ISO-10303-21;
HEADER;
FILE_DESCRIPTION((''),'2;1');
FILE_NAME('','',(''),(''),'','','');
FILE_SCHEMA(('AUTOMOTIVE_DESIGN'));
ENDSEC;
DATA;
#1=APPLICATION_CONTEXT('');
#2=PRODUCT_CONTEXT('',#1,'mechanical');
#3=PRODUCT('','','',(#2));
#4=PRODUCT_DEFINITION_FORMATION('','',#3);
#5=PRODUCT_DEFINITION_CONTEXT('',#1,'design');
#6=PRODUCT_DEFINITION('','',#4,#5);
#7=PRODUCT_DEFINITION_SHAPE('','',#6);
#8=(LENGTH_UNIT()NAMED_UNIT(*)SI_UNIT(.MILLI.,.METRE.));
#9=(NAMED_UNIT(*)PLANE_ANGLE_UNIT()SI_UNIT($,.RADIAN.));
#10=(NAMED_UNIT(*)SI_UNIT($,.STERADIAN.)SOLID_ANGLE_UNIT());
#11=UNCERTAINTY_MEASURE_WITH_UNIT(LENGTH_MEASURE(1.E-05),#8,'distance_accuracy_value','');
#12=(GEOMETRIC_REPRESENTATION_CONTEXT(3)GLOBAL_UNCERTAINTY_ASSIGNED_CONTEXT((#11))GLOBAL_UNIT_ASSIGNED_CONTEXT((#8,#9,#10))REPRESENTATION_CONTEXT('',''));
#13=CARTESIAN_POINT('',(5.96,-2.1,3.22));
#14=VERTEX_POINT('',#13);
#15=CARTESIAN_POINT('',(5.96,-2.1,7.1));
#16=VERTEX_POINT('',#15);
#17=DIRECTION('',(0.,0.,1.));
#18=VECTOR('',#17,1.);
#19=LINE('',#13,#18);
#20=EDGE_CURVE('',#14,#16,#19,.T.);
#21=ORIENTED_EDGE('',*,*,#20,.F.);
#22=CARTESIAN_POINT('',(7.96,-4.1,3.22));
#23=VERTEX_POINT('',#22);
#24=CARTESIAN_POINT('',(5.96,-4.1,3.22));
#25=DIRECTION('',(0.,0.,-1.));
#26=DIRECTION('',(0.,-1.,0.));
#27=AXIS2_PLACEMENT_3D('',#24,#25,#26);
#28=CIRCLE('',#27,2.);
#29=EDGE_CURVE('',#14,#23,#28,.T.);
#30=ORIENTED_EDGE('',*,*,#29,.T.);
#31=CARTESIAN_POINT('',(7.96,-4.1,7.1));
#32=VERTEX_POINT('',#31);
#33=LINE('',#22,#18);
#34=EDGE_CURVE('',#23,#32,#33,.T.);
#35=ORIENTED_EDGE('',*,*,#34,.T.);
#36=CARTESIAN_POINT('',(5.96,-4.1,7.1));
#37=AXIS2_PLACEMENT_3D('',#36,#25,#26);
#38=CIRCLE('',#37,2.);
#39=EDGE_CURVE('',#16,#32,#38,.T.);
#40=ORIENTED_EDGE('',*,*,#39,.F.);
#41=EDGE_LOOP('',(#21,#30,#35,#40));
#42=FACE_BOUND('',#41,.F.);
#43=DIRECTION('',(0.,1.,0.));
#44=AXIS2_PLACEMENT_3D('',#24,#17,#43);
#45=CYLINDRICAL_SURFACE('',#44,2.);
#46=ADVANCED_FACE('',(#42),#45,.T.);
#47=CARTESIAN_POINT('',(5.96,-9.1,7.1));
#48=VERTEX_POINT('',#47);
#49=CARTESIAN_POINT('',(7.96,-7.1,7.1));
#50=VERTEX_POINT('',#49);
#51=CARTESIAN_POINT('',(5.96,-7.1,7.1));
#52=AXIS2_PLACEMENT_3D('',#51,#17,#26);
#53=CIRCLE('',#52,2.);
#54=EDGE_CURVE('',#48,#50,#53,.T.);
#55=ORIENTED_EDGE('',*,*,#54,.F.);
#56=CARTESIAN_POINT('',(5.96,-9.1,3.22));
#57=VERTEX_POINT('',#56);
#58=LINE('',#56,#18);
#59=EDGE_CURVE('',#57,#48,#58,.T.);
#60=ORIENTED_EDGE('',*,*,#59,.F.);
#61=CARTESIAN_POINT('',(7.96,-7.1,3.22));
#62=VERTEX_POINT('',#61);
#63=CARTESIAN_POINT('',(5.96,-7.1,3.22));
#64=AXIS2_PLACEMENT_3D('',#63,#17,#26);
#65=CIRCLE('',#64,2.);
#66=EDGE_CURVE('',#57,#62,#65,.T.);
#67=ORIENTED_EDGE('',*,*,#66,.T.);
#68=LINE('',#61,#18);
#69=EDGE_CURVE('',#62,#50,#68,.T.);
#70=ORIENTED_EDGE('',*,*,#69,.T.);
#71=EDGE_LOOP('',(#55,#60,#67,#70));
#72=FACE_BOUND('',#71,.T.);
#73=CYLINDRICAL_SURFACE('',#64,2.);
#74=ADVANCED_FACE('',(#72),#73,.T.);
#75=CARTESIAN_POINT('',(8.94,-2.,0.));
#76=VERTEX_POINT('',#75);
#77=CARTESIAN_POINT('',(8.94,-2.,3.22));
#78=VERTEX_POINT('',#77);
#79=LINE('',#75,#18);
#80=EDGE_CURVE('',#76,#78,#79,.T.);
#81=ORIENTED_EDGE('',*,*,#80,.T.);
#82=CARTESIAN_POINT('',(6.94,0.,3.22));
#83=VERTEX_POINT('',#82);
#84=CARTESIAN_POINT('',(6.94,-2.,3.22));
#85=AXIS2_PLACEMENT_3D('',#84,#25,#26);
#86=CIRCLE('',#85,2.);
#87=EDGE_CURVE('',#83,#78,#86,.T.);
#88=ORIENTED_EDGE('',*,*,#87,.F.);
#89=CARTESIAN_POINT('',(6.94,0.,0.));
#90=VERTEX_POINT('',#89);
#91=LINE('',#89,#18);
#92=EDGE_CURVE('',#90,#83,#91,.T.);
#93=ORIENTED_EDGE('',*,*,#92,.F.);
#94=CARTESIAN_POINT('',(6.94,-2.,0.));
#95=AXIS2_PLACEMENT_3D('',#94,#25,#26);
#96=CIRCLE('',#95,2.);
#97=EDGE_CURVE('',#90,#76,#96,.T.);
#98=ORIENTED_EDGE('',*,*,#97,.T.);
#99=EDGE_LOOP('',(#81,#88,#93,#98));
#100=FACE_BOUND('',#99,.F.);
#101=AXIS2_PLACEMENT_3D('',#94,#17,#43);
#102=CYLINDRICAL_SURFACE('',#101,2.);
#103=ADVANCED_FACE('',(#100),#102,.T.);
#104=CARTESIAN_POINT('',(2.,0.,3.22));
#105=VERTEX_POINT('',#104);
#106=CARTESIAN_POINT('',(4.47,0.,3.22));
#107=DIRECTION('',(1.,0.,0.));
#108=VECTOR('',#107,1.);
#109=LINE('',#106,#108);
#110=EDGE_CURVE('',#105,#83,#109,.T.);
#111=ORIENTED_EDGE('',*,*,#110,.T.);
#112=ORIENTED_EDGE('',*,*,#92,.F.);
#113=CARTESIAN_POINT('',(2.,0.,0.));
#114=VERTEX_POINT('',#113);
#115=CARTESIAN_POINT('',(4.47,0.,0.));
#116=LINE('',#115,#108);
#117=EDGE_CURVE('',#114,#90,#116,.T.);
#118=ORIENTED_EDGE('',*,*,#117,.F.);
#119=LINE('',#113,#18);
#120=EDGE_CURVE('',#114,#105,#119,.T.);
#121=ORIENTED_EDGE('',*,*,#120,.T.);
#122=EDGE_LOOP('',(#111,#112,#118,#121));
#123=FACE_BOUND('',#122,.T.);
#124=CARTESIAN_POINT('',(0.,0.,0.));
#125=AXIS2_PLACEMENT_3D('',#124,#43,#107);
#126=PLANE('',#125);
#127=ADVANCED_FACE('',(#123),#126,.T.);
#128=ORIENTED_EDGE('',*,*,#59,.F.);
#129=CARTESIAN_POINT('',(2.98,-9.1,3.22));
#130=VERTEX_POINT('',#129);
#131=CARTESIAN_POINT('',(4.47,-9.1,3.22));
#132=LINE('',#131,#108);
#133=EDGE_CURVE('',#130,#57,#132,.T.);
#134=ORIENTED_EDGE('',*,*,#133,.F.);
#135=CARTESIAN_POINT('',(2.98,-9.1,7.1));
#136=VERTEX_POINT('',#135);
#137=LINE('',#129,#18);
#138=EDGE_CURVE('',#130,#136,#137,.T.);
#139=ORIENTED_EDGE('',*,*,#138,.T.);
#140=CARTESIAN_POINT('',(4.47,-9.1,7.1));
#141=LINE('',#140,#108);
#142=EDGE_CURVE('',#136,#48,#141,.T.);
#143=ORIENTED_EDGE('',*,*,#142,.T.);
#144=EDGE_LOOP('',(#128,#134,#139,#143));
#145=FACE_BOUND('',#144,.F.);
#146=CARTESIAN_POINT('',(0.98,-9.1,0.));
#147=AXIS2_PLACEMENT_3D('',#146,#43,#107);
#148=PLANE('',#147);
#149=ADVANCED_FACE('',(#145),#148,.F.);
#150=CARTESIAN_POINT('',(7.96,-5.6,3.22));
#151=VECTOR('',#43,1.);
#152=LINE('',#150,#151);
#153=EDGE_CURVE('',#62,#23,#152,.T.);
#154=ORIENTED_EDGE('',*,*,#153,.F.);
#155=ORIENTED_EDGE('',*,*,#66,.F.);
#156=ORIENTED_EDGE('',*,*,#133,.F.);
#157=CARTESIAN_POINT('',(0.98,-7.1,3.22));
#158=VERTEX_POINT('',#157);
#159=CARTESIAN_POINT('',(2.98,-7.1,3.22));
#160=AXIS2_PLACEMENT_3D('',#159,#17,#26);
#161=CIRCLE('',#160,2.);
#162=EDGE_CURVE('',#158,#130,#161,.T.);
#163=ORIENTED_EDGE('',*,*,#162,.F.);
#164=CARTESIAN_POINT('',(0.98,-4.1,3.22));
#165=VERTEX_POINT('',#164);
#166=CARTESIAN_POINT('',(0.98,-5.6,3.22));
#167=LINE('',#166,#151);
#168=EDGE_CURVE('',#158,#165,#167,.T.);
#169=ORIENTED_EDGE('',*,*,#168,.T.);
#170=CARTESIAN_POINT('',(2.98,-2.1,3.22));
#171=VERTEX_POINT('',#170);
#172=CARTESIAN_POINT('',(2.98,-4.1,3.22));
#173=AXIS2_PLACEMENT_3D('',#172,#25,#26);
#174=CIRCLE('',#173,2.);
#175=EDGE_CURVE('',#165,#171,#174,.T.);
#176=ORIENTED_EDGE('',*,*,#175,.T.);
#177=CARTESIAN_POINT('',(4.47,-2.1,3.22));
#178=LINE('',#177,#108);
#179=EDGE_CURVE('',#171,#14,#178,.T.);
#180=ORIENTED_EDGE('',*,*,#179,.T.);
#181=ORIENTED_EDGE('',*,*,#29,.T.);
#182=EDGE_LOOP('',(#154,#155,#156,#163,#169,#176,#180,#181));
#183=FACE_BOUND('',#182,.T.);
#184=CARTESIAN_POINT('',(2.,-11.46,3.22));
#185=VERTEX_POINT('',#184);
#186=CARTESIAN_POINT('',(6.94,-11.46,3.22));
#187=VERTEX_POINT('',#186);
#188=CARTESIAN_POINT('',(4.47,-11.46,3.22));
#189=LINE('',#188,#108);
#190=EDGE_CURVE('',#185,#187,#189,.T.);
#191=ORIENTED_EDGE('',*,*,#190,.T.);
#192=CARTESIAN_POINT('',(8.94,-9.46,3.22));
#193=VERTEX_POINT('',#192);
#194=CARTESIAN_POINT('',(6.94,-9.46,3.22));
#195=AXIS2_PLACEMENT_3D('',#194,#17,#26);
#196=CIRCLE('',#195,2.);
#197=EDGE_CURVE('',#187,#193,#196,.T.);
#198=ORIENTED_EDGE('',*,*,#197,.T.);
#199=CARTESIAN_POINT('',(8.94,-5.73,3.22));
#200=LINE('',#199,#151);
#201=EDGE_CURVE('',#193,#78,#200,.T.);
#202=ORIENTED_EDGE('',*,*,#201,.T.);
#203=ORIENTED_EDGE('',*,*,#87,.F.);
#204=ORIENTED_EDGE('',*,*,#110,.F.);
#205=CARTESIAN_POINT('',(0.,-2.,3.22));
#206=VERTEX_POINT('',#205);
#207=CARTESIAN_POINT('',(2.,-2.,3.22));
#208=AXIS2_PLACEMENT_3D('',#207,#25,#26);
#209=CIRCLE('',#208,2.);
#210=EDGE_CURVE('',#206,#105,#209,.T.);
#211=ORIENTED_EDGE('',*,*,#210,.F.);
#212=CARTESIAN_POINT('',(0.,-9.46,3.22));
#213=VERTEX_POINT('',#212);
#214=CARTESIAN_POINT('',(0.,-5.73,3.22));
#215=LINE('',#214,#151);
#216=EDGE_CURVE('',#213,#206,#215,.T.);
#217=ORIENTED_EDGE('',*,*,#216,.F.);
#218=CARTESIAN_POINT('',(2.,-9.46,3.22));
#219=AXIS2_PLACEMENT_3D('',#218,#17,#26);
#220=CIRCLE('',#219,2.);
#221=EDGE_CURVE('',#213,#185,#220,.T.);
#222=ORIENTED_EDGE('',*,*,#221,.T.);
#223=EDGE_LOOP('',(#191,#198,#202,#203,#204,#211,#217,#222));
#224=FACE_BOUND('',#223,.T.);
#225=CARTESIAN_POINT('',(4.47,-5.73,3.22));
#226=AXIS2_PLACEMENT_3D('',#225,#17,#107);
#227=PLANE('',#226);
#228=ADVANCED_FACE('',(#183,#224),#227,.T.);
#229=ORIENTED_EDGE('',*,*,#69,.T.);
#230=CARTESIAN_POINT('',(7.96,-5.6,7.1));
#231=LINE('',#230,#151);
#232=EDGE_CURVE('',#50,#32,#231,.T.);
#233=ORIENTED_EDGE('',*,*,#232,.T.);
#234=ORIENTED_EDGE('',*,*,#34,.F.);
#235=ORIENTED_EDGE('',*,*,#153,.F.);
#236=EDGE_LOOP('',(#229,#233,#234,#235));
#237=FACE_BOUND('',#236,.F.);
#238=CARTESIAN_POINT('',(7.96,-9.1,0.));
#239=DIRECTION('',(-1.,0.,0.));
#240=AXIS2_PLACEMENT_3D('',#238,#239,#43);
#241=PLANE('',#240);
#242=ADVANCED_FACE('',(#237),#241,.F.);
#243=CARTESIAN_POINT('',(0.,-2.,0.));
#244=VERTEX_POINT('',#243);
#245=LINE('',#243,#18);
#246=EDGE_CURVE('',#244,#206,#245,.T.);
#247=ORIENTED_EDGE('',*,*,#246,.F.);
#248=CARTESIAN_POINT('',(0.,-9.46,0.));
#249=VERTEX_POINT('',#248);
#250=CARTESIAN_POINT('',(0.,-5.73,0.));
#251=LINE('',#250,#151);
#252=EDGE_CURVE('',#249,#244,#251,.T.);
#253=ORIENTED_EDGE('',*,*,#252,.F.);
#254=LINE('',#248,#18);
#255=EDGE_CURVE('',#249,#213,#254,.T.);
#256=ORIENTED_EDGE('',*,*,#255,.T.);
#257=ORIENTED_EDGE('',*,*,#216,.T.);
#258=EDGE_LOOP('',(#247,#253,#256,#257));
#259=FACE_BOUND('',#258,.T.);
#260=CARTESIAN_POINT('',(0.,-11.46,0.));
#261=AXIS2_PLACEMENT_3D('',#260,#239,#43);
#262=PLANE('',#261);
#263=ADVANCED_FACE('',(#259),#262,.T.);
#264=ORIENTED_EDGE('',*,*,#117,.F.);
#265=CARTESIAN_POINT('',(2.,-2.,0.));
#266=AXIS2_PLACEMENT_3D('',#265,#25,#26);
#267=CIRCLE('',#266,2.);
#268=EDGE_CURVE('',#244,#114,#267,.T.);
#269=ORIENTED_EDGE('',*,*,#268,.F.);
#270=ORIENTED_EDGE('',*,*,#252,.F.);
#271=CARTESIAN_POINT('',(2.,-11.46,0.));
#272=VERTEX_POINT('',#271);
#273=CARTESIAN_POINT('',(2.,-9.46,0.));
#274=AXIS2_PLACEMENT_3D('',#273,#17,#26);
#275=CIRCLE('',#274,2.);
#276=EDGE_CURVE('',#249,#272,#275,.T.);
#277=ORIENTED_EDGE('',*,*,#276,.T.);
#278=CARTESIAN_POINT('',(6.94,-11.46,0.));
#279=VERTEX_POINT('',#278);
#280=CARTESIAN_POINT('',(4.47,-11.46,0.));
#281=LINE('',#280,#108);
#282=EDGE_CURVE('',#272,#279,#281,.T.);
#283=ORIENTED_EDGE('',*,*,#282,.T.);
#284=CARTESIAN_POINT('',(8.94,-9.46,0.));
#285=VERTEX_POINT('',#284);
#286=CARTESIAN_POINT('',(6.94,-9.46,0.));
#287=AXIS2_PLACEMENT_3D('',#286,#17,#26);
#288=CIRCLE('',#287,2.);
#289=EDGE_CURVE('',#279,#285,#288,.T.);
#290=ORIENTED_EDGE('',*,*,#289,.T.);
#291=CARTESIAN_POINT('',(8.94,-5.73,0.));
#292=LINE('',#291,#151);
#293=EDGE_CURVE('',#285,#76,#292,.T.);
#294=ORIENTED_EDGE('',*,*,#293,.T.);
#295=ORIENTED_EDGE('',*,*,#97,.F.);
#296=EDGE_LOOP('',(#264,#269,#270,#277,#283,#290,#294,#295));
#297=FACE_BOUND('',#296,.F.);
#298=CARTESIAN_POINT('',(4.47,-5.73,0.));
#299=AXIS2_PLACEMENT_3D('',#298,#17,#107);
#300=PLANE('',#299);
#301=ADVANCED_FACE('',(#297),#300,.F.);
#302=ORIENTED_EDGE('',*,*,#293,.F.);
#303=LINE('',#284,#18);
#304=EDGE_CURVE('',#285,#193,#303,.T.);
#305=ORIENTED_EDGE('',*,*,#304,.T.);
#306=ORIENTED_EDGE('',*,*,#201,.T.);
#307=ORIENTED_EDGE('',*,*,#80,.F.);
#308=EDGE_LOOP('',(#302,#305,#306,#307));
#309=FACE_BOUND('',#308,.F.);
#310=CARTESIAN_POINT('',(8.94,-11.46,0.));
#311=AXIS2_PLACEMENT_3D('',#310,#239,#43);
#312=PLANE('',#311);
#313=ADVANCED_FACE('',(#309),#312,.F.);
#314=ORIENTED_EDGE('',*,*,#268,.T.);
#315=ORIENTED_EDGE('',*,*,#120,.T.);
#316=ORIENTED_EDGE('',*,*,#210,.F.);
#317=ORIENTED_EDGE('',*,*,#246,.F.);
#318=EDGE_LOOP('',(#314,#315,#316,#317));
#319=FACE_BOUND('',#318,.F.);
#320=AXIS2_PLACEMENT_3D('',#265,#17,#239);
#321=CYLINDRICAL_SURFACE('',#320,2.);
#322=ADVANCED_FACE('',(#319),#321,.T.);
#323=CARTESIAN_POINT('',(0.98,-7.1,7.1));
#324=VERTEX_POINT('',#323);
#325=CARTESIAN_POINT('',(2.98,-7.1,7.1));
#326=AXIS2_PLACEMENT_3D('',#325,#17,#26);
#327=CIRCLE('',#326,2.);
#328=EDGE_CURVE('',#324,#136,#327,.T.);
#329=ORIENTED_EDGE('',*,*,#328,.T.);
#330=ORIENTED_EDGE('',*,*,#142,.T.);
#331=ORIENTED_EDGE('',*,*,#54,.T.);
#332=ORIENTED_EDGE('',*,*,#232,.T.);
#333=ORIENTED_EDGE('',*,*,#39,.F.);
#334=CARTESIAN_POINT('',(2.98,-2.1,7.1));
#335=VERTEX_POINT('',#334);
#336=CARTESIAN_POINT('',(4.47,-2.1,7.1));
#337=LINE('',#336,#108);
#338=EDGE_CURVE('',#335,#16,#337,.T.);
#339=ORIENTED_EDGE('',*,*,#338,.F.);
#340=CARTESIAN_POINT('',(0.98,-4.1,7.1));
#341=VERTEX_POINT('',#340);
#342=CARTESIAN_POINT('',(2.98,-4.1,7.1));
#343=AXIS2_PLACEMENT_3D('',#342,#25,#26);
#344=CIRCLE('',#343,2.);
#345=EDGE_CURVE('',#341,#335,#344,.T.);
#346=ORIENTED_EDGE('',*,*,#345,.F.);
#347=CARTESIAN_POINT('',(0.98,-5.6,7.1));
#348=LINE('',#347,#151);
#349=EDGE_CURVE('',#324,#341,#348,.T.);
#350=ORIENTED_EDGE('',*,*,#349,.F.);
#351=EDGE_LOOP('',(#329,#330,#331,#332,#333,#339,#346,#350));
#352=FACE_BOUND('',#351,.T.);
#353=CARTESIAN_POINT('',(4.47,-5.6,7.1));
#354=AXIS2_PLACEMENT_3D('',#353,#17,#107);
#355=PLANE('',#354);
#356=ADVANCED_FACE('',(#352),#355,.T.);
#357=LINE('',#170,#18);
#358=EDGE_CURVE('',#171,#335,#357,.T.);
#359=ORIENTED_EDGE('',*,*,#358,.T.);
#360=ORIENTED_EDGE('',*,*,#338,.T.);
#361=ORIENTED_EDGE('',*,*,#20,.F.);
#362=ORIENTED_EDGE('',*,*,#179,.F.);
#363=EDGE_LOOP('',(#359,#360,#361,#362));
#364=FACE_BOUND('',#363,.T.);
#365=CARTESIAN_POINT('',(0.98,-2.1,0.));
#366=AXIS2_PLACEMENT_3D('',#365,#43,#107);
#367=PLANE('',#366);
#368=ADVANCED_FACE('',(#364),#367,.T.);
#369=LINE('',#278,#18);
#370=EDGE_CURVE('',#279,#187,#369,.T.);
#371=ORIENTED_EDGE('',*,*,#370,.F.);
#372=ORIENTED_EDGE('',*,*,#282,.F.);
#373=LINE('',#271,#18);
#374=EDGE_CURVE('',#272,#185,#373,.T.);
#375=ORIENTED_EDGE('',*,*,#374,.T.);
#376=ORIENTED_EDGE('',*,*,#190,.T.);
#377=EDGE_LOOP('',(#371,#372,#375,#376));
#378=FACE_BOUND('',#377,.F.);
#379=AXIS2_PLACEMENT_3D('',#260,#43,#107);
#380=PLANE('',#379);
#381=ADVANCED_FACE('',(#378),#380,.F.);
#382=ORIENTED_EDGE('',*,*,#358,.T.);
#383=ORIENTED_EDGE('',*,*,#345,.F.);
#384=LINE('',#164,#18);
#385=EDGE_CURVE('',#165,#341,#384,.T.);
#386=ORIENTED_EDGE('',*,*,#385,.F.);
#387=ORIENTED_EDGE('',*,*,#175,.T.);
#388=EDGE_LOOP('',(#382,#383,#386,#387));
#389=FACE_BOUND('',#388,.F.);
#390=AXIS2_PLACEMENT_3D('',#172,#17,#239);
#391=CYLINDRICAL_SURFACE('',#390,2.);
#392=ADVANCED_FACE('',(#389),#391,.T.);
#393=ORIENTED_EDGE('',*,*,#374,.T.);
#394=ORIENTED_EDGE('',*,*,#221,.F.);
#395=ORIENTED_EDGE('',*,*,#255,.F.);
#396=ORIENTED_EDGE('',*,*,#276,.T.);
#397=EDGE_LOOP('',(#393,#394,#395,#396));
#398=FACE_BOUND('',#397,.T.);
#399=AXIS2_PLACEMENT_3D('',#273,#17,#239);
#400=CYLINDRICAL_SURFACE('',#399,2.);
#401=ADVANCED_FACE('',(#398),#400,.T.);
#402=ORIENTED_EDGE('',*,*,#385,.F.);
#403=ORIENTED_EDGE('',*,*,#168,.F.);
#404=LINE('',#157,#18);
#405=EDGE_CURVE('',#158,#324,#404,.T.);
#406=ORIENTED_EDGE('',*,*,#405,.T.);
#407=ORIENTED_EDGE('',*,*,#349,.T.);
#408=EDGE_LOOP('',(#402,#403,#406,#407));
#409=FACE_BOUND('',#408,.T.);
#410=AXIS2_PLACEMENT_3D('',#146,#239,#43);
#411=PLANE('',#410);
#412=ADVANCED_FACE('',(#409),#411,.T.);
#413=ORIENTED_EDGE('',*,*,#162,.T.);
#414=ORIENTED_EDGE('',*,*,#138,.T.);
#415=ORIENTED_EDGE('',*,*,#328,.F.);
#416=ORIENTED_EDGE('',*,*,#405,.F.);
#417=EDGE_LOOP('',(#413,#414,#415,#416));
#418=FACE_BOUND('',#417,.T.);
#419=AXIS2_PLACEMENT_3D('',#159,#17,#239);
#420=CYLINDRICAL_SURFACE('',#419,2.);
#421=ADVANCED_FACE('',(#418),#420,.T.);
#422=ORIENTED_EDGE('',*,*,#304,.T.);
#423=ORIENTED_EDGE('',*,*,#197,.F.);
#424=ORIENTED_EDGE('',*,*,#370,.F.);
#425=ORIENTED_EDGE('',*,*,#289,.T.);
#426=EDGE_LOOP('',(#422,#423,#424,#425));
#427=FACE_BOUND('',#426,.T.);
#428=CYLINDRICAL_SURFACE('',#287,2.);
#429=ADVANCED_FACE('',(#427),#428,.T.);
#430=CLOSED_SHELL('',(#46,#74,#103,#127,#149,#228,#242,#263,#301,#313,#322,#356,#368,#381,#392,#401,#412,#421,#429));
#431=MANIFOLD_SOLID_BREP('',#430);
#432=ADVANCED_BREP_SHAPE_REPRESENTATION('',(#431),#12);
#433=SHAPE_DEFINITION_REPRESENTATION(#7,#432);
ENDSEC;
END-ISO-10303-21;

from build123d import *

# Parameters (mm, degrees)
F0_W     = 8.94
F0_H     = 11.46
F0_W_2   = 6.98
F0_H_2   = 7
F1_DEPTH = 3.22
F2_DEPTH = 7.1
F3_R     = 2


with BuildPart() as f1:
    # F0 (on Top) → F1 (new body)
    with BuildSketch(Plane.XY):
        with Locations((4.47, -5.73)):
            Rectangle(F0_W, F0_H)
        with Locations((4.47, -5.6)):
            Rectangle(F0_W_2, F0_H_2, mode=Mode.SUBTRACT)
    extrude(amount=F1_DEPTH)

    # F0 (on Top) → F2 (join)
    with BuildSketch(Plane.XY):
        with Locations((4.47, -5.6)):
            Rectangle(F0_W_2, F0_H_2)
    extrude(amount=F2_DEPTH)

    # F3
    f3_edges = [f1.edges().sort_by_distance(p)[0] for p in [
        (0.98, -9.1, 5.16),
        (7.96, -9.1, 5.16),
        (7.96, -2.1, 5.16),
        (0.98, -2.1, 5.16),
        (8.94, -11.46, 1.61),
        (8.94, 0, 1.61),
        (0, 0, 1.61),
        (0, -11.46, 1.61),
    ]]
    fillet(f3_edges, radius=F3_R)


solid = f1.part
